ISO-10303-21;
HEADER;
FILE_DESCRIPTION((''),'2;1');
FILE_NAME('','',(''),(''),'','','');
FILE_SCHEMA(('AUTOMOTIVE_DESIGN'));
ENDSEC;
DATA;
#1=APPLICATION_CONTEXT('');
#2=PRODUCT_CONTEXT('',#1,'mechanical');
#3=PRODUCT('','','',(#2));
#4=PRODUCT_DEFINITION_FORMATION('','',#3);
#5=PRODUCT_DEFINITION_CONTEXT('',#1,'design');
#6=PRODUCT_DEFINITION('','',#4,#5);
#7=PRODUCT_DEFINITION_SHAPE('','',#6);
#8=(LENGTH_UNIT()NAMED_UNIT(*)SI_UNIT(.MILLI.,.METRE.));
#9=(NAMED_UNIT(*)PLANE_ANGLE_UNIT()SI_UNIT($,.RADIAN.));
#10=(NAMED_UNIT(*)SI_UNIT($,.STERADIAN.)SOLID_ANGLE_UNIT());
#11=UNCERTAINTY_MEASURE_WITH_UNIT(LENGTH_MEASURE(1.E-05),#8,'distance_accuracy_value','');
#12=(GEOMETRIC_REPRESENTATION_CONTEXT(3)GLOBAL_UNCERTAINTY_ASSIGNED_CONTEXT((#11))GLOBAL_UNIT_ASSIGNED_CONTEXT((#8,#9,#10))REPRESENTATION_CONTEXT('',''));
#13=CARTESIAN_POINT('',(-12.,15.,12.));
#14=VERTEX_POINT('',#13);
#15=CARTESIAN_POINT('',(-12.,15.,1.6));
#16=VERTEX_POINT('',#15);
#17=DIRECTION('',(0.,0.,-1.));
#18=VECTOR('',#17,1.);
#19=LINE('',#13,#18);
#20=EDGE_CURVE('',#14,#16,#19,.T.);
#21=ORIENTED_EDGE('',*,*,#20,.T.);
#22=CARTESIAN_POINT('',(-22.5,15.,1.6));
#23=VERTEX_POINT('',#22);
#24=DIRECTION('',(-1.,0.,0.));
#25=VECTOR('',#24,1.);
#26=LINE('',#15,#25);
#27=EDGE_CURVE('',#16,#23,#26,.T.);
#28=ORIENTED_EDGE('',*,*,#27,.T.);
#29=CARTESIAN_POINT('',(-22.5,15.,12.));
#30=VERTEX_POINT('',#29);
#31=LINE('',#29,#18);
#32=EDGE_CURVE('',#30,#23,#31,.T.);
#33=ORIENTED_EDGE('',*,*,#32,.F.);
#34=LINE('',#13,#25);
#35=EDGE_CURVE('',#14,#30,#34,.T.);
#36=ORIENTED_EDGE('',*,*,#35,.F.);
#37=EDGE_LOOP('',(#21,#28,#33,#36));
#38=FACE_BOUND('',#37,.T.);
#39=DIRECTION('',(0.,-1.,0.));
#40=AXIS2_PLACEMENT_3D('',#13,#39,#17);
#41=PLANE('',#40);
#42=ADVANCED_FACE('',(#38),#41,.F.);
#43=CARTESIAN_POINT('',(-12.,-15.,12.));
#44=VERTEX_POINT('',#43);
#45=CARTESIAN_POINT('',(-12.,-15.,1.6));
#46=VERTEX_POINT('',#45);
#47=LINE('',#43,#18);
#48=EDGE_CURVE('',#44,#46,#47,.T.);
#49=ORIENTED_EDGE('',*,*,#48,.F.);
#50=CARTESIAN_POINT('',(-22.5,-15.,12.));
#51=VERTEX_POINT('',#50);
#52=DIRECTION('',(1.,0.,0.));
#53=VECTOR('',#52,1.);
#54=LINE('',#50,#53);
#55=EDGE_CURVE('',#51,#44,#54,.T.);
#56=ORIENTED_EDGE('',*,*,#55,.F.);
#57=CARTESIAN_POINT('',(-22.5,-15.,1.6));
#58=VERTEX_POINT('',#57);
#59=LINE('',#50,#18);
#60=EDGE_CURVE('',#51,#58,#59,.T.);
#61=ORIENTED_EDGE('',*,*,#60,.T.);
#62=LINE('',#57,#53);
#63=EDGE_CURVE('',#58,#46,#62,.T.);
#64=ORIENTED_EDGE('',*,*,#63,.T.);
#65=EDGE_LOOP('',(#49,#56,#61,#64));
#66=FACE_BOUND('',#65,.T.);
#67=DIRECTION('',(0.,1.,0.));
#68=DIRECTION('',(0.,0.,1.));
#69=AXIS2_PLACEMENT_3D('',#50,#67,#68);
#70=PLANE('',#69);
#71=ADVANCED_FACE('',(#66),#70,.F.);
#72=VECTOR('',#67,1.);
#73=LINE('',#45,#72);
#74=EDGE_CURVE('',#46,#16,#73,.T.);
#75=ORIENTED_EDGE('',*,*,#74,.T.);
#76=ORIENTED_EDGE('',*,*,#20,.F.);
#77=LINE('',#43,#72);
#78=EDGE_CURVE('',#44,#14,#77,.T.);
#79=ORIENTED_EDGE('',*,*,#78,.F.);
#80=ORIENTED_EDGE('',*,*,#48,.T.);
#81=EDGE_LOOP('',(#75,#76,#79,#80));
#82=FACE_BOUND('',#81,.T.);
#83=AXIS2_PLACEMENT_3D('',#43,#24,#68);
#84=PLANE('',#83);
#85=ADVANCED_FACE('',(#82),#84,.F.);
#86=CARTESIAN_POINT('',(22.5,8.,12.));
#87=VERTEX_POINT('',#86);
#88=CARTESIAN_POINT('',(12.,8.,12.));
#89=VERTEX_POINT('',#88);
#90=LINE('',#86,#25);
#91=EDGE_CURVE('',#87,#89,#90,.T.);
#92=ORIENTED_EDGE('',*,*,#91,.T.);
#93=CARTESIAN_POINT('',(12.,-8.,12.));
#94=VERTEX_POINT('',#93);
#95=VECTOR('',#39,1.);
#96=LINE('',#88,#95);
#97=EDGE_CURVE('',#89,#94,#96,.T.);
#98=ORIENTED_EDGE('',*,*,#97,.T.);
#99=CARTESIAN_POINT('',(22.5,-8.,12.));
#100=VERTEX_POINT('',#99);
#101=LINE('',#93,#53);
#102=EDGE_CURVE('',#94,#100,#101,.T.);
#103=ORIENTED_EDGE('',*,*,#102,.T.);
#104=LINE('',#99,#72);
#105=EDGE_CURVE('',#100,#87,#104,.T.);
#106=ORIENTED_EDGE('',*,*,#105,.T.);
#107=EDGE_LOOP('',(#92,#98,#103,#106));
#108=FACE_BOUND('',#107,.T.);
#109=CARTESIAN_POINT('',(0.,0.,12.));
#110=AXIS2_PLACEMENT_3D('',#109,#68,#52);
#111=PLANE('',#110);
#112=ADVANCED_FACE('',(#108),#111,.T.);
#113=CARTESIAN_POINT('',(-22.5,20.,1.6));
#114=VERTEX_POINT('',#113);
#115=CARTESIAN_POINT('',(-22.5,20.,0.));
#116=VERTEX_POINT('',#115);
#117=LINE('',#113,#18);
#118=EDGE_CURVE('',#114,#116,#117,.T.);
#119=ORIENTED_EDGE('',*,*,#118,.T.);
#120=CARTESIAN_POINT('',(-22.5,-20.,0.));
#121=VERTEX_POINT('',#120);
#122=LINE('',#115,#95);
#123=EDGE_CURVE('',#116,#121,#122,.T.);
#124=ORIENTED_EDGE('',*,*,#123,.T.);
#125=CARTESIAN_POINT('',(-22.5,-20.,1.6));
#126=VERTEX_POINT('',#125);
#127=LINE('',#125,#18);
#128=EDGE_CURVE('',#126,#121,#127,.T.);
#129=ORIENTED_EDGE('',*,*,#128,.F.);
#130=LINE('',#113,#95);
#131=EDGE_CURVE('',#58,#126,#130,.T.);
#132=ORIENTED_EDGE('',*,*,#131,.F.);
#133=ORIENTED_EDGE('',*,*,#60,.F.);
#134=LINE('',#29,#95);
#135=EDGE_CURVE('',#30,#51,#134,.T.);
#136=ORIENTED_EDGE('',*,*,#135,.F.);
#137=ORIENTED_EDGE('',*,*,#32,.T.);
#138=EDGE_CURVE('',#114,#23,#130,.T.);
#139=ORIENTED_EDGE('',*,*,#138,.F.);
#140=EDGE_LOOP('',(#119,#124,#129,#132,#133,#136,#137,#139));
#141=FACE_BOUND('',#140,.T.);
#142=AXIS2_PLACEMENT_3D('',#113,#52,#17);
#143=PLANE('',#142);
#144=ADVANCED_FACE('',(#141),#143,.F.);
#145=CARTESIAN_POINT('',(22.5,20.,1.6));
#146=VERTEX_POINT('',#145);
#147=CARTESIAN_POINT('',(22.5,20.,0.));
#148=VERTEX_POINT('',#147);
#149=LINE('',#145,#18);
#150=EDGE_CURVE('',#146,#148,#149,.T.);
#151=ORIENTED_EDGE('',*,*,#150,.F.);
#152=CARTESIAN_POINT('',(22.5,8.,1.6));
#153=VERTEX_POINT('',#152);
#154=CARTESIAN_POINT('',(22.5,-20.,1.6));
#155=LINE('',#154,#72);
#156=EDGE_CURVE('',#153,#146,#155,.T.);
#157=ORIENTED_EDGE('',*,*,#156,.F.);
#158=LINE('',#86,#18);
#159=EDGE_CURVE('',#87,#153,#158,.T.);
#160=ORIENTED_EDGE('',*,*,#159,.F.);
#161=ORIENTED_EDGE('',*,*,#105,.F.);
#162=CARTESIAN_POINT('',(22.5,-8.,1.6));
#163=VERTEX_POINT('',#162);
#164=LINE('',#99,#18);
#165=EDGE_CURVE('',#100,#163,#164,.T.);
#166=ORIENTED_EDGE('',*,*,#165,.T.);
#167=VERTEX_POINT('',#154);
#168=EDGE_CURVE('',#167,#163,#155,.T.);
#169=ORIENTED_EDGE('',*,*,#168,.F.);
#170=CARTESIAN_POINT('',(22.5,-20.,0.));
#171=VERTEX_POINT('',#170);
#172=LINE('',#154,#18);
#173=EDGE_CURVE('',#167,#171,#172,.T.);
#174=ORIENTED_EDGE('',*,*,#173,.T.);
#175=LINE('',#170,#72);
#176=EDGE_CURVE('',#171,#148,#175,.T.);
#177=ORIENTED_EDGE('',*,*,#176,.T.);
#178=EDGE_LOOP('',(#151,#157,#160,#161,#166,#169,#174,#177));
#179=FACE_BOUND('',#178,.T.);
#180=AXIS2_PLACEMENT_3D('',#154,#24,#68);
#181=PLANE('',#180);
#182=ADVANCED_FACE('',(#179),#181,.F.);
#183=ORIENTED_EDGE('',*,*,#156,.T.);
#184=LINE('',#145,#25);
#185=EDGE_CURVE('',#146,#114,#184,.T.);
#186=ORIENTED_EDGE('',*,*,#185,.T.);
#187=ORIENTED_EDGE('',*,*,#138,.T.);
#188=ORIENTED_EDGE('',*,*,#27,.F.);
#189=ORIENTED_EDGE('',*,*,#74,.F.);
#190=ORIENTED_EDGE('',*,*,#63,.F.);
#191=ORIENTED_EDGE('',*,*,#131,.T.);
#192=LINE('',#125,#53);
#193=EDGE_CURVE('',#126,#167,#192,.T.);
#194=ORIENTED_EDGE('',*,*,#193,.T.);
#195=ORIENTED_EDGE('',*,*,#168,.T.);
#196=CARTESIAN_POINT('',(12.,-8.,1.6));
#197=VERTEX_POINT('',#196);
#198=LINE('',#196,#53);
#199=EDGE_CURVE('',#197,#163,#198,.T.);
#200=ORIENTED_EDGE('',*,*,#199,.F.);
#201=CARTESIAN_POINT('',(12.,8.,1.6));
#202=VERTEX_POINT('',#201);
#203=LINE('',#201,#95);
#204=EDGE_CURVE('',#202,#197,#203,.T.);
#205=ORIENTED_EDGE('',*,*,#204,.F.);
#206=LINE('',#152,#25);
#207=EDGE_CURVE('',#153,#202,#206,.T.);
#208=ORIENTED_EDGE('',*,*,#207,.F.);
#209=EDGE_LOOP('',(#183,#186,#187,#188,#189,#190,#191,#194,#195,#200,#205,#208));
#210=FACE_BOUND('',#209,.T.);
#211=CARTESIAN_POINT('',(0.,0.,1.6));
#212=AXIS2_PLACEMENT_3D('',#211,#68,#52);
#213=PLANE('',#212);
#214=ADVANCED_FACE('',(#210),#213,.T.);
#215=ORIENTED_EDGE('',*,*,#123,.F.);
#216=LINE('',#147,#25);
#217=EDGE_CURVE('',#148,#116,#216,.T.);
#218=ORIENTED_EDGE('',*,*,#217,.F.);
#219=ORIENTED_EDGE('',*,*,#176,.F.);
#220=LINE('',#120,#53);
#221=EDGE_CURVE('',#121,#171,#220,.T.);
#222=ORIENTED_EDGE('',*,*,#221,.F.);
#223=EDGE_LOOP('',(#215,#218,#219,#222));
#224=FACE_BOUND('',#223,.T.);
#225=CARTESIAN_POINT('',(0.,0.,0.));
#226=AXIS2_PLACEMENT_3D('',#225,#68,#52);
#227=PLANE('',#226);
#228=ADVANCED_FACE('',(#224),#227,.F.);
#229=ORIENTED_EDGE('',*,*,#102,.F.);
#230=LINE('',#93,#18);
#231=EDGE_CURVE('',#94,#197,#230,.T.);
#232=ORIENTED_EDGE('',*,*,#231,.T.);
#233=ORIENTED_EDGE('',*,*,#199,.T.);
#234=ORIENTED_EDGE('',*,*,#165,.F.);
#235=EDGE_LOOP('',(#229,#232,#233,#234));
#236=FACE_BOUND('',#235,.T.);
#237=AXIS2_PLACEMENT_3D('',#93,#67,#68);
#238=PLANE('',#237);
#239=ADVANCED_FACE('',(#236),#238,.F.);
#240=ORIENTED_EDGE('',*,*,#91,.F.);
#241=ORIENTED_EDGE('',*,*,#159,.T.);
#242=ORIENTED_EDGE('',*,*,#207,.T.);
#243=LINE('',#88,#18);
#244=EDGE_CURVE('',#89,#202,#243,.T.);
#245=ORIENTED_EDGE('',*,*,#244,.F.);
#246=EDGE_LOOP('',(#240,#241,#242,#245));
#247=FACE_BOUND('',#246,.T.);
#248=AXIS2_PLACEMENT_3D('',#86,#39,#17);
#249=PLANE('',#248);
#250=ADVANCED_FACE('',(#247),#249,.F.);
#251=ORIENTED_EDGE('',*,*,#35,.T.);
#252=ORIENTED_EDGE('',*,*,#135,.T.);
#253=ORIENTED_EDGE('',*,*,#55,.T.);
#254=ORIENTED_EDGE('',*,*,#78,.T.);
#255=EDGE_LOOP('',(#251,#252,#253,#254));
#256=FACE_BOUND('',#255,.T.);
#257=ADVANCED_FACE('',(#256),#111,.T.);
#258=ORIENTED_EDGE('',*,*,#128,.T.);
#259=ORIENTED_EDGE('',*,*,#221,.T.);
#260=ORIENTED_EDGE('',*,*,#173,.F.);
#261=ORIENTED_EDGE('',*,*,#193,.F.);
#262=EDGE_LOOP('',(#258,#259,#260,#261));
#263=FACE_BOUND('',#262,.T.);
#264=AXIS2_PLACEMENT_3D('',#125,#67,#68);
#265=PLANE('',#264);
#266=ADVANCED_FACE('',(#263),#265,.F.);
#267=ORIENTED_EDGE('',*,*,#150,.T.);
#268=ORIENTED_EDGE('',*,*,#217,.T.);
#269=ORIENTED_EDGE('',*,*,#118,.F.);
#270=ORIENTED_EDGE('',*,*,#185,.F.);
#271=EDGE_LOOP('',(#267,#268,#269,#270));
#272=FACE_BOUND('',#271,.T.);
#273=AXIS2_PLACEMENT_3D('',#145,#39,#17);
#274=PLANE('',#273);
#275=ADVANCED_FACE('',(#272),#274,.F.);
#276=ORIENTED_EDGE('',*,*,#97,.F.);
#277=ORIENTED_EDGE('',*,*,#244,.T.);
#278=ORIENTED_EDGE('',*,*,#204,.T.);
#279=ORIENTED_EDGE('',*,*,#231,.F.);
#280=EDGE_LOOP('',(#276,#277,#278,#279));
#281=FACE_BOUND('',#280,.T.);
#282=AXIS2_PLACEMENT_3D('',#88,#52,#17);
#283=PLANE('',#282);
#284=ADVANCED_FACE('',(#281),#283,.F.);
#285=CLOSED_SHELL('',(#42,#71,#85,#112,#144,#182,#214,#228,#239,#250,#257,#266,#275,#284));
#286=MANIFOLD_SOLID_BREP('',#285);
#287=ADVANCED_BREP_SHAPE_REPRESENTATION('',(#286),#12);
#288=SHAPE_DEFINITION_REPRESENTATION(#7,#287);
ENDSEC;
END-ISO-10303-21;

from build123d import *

# Parameters (mm, degrees)
SKETCH1_W             = 45
SKETCH1_H             = 40
PCB_DEPTH             = 1.6
SKETCH2_W             = 10.5
SKETCH2_H             = 30
MOTOR_TERMINALS_DEPTH = 10.4
SKETCH3_W             = 10.5
SKETCH3_H             = 16
POWER_TERMINAL_DEPTH  = 10.4


with BuildPart() as part:
    # Sketch1 → PCB (new body)
    with BuildSketch(Plane.XY):
        Rectangle(SKETCH1_W, SKETCH1_H)
    extrude(amount=PCB_DEPTH)

    # Sketch2 → Motor_terminals (add)
    with BuildSketch(Plane.XY.offset(1.6)):
        with Locations((-17.25, 0)):
            Rectangle(SKETCH2_W, SKETCH2_H)
    extrude(amount=MOTOR_TERMINALS_DEPTH)

    # Sketch3 → Power_terminal (add)
    with BuildSketch(Plane.XY.offset(1.6)):
        with Locations((17.25, 0)):
            Rectangle(SKETCH3_W, SKETCH3_H)
    extrude(amount=POWER_TERMINAL_DEPTH)


solid = part.part
